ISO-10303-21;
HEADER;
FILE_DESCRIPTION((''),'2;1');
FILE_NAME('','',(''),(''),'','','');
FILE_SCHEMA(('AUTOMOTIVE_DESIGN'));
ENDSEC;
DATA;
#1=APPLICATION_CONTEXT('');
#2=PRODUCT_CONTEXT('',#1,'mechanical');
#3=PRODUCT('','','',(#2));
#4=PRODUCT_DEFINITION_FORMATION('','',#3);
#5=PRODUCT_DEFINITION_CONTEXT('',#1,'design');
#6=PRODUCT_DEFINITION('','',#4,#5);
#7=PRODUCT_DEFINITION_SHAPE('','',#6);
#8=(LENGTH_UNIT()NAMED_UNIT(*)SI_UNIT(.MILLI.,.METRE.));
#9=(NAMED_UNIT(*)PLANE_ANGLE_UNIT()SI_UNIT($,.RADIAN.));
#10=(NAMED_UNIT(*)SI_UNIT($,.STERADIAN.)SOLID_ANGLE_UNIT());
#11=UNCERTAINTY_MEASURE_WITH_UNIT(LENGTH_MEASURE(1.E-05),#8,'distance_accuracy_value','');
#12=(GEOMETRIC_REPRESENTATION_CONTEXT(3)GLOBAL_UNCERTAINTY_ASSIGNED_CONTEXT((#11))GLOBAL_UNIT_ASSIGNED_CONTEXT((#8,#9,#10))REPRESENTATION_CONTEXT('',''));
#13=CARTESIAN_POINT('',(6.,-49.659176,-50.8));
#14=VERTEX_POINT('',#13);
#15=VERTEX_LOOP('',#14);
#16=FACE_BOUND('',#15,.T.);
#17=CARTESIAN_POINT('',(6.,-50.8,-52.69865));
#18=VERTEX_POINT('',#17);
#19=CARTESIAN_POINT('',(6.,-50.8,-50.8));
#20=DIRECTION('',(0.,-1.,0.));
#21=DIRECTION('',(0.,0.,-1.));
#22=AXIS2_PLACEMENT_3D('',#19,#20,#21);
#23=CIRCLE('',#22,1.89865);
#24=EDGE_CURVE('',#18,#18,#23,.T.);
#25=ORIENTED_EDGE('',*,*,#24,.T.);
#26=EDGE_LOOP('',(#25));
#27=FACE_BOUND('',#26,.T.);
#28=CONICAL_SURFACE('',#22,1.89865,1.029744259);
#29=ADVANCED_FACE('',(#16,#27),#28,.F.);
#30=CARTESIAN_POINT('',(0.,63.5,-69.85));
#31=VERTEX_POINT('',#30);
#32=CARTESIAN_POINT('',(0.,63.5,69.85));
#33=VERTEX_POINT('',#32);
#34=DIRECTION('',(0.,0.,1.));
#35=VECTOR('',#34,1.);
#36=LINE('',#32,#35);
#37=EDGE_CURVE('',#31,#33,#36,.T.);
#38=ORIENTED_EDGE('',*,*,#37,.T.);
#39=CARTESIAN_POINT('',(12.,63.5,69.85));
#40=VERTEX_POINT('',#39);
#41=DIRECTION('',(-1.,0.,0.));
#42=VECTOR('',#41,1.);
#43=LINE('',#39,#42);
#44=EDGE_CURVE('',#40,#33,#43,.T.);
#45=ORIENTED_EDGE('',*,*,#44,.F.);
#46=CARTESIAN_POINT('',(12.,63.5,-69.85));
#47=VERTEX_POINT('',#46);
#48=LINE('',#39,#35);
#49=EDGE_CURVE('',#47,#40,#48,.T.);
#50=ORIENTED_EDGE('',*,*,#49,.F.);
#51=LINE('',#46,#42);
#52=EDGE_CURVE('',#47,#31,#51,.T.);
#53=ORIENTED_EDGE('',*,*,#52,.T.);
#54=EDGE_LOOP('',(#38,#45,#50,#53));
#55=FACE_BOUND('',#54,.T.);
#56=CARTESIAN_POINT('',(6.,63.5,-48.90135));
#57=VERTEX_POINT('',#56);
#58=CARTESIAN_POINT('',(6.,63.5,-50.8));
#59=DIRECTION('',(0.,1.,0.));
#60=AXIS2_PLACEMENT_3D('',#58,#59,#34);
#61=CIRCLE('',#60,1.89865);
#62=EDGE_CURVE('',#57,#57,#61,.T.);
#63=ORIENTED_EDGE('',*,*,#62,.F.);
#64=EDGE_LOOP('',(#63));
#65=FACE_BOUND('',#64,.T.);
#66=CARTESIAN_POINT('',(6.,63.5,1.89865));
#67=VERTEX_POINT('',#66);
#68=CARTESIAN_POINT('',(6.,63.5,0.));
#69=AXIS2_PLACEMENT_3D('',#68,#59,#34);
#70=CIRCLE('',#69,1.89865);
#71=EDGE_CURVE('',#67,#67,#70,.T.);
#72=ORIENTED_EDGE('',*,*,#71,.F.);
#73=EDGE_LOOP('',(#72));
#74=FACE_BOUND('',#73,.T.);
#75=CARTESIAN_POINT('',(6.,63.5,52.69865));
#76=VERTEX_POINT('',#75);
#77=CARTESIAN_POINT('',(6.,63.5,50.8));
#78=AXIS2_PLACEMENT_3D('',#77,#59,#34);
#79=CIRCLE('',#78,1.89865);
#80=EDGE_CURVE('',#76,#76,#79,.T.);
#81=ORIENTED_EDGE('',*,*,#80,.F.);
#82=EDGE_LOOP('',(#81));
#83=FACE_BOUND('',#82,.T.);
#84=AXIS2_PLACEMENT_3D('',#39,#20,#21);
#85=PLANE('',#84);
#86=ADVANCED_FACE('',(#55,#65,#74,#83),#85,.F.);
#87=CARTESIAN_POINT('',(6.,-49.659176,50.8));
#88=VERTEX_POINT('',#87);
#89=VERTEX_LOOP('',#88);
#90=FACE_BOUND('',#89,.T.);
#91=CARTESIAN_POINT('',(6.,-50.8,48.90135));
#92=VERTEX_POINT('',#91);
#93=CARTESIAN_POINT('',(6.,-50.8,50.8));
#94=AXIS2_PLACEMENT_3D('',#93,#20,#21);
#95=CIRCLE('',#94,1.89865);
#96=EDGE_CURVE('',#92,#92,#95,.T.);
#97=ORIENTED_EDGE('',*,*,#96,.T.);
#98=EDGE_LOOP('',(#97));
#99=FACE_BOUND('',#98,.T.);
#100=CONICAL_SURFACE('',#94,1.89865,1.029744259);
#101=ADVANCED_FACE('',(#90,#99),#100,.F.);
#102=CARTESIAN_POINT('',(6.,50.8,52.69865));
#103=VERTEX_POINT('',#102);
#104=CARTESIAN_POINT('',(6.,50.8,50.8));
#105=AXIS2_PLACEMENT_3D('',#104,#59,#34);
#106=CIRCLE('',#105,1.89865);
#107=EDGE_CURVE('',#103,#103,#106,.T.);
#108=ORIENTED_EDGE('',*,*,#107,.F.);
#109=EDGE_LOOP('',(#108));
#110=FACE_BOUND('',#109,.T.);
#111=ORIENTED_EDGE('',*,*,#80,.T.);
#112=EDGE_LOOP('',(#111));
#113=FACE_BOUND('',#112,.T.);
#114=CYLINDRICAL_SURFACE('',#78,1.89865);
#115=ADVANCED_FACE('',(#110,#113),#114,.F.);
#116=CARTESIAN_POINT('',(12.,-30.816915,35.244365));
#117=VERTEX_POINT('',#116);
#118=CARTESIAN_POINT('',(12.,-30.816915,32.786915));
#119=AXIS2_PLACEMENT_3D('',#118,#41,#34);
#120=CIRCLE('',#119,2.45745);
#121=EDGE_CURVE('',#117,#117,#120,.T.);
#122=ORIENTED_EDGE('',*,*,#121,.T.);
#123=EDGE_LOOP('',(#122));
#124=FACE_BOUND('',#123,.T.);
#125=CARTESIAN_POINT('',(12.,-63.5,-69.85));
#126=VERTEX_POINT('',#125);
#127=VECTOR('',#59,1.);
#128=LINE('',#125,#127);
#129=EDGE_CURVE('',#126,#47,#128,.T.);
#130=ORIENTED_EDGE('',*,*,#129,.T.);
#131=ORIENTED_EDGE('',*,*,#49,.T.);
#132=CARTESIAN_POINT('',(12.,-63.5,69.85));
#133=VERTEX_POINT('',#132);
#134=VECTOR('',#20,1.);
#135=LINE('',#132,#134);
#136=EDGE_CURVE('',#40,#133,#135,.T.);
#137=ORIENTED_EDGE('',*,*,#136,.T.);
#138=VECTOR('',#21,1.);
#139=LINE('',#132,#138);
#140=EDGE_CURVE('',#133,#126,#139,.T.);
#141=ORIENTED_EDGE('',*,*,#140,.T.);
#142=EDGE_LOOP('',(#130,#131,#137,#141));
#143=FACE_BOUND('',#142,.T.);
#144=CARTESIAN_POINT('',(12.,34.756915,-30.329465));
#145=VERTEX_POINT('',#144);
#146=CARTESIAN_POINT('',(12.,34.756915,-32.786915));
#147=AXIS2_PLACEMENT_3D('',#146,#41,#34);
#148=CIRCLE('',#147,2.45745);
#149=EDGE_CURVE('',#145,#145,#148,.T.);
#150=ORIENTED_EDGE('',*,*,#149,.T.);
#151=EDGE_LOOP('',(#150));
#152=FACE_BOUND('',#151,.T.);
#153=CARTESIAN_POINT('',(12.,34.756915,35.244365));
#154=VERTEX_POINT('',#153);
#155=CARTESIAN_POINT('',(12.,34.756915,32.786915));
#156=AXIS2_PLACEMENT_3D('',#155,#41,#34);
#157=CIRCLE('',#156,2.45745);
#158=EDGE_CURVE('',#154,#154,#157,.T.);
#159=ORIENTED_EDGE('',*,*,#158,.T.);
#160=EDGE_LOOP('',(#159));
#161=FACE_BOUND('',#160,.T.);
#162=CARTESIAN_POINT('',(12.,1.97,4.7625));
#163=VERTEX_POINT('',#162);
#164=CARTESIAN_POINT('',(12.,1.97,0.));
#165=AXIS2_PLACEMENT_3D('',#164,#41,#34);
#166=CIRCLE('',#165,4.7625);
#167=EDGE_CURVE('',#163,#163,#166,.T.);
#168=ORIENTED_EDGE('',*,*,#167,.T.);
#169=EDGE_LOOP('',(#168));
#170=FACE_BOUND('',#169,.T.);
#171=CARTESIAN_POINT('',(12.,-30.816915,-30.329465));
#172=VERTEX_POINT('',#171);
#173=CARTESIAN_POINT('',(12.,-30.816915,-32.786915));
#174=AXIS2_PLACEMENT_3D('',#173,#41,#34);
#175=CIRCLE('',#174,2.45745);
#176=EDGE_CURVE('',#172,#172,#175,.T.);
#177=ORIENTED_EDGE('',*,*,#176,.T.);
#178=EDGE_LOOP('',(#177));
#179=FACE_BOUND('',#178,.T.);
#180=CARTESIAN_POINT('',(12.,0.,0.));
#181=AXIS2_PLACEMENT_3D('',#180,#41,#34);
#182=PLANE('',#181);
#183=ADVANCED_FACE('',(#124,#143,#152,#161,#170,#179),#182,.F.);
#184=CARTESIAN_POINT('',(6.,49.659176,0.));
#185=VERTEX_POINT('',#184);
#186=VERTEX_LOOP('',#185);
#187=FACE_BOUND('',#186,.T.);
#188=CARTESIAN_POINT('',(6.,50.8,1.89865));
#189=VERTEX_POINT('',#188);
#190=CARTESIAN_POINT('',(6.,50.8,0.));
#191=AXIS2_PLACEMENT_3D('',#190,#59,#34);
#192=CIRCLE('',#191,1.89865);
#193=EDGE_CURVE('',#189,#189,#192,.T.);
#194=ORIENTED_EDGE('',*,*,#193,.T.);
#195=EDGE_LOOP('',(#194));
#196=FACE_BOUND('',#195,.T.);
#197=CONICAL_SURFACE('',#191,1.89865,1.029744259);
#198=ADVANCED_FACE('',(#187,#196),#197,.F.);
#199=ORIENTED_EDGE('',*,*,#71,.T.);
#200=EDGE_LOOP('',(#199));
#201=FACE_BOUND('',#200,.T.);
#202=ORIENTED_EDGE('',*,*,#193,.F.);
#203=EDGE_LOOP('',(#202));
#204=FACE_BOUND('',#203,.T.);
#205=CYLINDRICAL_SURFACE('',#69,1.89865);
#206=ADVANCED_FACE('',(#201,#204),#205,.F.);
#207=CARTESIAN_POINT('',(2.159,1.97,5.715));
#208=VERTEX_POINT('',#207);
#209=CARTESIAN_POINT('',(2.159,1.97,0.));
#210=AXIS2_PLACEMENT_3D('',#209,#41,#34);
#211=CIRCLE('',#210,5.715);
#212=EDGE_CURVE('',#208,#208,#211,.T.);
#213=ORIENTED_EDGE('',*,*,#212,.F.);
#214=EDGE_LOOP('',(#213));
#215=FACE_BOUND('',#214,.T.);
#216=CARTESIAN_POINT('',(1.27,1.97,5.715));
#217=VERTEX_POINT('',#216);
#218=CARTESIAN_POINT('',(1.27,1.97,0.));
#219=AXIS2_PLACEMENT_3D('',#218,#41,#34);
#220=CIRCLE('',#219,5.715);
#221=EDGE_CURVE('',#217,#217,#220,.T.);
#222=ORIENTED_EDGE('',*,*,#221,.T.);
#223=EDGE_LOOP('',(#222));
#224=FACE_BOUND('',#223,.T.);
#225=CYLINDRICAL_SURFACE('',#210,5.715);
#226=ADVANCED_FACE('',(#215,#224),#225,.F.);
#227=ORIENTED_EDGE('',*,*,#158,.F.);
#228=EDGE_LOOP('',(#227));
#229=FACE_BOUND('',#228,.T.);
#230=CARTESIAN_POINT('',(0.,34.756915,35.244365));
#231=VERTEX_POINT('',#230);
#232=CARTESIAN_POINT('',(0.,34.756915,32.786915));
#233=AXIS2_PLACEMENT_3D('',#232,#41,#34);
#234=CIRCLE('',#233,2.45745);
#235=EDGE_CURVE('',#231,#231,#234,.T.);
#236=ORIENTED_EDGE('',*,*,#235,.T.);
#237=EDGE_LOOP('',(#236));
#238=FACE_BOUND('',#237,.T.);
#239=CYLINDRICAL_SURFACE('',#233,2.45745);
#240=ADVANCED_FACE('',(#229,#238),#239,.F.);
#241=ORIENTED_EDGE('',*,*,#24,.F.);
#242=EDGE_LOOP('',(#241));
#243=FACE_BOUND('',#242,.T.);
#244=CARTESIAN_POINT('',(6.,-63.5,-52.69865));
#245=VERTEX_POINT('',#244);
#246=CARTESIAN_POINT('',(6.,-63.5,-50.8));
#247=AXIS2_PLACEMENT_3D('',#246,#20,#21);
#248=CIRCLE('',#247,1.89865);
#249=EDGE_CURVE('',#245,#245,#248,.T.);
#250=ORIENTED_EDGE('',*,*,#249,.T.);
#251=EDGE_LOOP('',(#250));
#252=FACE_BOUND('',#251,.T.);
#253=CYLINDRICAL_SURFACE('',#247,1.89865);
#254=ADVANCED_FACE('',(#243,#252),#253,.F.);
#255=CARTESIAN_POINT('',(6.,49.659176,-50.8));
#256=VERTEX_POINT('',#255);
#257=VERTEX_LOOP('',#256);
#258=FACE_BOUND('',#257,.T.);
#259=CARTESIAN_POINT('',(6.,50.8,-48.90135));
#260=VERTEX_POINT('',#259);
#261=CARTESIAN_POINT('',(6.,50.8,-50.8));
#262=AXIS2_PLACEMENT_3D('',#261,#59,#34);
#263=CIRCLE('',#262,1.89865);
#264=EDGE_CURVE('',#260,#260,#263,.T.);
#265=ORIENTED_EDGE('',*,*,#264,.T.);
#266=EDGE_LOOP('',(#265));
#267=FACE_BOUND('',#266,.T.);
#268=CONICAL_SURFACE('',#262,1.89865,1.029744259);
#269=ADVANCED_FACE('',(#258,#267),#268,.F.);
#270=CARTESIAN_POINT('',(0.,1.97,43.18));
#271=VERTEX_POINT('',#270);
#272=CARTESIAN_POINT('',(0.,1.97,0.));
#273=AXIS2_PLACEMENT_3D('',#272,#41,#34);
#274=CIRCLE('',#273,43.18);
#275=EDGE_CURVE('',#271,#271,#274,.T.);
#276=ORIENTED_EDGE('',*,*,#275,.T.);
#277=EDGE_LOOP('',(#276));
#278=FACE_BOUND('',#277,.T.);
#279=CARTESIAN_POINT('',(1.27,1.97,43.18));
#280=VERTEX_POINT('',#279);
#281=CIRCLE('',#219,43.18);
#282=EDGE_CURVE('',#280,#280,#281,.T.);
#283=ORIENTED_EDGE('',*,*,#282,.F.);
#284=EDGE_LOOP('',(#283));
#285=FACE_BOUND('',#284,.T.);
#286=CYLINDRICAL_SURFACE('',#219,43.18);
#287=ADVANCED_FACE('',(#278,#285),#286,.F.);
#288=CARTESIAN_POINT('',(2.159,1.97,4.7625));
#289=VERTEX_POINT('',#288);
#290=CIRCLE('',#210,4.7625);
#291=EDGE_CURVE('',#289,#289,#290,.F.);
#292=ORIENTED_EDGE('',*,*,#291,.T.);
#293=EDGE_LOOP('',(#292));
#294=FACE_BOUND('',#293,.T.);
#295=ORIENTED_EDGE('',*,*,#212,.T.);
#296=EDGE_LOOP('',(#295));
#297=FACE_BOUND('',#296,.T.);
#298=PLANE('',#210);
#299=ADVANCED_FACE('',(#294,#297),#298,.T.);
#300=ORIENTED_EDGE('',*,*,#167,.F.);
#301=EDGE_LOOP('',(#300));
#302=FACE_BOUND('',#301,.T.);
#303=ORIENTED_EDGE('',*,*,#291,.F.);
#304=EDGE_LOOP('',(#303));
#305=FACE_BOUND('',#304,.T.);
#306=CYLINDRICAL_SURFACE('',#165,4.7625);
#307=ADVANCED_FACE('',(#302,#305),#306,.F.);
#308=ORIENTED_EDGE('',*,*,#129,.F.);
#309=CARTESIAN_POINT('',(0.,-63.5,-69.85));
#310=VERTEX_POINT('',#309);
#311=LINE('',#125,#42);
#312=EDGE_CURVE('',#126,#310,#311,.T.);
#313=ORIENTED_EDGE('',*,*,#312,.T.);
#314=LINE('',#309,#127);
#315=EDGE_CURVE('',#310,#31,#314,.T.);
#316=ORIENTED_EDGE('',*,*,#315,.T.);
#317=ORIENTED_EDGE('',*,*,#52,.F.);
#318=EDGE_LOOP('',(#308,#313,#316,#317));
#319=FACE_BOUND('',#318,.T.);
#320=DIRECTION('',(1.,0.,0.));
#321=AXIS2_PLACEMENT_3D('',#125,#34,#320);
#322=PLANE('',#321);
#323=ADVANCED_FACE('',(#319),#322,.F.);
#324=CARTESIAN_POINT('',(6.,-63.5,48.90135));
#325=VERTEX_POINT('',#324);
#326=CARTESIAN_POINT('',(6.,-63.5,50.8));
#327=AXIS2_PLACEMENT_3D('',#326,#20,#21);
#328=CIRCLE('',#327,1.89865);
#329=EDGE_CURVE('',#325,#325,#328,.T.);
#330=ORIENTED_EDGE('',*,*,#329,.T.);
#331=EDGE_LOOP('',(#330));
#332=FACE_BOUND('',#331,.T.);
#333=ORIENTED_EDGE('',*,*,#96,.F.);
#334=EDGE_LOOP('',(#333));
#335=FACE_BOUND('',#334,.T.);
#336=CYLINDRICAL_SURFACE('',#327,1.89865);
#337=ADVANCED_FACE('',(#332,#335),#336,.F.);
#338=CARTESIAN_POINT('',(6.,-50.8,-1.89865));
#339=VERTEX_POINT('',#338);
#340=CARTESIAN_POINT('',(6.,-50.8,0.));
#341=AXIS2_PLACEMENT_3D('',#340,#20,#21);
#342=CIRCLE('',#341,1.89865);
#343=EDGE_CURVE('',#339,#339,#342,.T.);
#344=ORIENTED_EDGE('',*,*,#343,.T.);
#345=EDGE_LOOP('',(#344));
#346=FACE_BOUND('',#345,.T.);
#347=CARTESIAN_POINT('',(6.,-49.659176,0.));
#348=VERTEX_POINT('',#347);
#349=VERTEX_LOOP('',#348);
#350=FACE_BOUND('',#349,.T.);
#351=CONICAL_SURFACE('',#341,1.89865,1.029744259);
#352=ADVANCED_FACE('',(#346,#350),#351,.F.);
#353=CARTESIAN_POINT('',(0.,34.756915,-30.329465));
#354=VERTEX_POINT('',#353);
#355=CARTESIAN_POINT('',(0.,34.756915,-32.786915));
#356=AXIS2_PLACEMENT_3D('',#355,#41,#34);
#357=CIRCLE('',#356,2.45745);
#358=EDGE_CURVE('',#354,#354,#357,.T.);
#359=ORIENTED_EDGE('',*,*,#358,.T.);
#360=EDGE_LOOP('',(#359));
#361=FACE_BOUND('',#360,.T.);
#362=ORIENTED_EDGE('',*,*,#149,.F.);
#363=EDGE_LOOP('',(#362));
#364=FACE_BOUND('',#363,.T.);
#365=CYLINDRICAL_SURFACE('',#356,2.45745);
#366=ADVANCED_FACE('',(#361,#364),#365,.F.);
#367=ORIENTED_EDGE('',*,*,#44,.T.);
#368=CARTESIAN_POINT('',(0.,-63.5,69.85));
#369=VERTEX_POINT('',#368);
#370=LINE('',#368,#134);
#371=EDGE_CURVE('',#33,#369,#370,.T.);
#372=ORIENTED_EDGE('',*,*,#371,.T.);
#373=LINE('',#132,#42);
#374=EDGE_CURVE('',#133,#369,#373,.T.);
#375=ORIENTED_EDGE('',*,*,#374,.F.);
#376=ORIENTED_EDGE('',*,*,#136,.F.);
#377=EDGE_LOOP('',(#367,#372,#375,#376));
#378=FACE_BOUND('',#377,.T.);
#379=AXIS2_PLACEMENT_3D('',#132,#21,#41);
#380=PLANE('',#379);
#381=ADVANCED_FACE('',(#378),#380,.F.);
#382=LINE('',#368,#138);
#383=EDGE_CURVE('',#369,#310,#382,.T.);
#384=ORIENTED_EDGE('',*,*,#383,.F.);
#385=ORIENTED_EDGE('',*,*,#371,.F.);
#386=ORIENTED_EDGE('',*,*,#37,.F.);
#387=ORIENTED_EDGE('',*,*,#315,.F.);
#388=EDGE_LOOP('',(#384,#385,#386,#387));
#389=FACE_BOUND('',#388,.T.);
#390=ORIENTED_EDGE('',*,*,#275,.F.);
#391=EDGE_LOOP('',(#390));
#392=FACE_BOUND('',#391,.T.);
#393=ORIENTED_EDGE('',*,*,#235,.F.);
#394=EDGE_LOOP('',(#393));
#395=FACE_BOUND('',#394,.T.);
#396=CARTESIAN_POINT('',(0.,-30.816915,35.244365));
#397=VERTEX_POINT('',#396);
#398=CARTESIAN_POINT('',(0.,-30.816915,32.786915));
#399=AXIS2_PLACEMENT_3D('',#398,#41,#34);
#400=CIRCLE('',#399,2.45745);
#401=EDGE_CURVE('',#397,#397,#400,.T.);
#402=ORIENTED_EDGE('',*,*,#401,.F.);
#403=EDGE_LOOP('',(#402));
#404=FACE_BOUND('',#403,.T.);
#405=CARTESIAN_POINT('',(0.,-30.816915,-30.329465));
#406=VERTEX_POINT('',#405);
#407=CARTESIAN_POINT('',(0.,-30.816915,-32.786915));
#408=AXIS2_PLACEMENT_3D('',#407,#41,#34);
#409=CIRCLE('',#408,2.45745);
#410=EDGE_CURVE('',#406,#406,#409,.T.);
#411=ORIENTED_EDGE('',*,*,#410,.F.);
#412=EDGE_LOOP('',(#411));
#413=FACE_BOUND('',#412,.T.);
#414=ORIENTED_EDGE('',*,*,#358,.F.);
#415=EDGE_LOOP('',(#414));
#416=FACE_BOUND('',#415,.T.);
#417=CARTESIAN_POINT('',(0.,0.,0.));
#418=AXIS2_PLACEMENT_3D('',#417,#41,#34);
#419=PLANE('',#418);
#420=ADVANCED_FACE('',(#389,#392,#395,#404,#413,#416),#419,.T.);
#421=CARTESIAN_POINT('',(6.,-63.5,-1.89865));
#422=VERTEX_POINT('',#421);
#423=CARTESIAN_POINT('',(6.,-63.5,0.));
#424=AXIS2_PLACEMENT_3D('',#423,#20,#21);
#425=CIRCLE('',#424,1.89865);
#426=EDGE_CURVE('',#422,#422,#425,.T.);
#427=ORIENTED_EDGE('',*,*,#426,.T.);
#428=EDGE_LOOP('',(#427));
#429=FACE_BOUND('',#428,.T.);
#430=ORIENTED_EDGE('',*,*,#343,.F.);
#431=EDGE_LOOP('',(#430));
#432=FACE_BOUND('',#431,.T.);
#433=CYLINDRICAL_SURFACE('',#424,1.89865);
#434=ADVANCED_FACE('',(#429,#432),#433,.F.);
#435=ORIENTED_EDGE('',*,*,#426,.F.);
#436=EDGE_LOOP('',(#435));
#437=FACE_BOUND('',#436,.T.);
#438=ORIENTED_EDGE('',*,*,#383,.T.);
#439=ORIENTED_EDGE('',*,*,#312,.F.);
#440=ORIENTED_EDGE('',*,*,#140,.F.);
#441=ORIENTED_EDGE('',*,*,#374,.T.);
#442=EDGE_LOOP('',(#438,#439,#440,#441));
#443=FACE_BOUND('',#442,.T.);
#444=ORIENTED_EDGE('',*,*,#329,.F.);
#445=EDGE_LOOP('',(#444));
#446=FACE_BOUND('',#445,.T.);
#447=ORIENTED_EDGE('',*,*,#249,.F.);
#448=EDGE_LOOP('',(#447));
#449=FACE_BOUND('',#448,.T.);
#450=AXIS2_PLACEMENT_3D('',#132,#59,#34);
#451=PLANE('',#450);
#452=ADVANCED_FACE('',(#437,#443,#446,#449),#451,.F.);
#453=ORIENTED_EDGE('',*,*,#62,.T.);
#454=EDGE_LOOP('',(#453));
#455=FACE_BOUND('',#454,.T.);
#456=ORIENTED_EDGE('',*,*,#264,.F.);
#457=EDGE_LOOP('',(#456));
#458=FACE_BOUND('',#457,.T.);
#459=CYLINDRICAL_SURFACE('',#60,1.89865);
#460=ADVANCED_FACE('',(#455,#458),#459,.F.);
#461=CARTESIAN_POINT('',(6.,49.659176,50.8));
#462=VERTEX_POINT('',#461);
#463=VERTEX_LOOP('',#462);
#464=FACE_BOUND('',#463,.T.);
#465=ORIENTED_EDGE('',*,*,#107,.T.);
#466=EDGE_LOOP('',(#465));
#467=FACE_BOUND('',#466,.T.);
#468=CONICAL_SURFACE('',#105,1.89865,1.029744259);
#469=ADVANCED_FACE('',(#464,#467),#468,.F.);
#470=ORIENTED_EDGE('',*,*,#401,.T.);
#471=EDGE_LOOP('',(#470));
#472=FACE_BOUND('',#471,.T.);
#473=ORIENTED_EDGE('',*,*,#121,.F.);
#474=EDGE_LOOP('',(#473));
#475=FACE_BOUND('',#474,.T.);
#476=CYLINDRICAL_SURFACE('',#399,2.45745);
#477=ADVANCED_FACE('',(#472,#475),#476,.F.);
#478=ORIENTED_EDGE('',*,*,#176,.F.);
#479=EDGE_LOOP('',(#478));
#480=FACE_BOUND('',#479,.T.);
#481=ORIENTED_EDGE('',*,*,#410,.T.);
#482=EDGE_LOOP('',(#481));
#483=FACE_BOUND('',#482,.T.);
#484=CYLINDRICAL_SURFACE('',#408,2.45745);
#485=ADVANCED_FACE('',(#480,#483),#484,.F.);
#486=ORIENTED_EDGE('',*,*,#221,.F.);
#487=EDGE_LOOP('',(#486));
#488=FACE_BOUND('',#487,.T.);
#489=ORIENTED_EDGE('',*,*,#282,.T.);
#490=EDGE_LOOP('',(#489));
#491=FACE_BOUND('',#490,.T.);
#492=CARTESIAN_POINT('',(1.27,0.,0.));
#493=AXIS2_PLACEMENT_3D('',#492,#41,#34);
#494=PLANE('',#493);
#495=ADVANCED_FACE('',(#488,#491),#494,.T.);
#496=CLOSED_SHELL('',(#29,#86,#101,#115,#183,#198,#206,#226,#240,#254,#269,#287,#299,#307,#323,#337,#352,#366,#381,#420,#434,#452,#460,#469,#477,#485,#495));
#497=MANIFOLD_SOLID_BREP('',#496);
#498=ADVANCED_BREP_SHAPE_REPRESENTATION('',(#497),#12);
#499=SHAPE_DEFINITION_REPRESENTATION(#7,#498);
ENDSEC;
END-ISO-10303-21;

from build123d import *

# Parameters (mm, degrees)
SKETCH1_W                           = 139.7
SKETCH1_H                           = 127
BOSS_EXTRUDE1_DEPTH                 = 12
F_8_CLEARANCE_HOLE1_D               = 4.9149
SKETCH2_R                           = 43.18
SKETCH2_R_2                         = 4.7625
CUT_EXTRUDE1_DEPTH                  = 1.27
SKETCH2_4_R                         = 4.7625
CUT_EXTRUDE2_DEPTH                  = 96.159195562
TAP_DRILL_FOR_10_24_TAP1_AT_2_COUNT = 2
TAP_DRILL_FOR_10_24_TAP1_AT_2_PITCH = 50.8
TAP_DRILL_FOR_10_24_TAP1_AT_3_COUNT = 2
TAP_DRILL_FOR_10_24_TAP1_AT_3_PITCH = 101.6
SKETCH8_R                           = 5.715
CUT_EXTRUDE3_DEPTH                  = 0.889


with BuildPart() as part:
    # Sketch1 → Boss-Extrude1 (new body)
    with BuildSketch(Plane(origin=(0, 0, 0), x_dir=(0, 0, -1), z_dir=(1, 0, 0))):
        Rectangle(SKETCH1_W, SKETCH1_H)
    extrude(amount=BOSS_EXTRUDE1_DEPTH)

    # #8 Clearance Hole1 (through all)
    with Locations(Plane.ZY):
        with Locations((-32.786915098, 34.756915098), (32.786915098, 34.756915098), (32.786915098, -30.816915098), (-32.786915098, -30.816915098)):
            Hole(F_8_CLEARANCE_HOLE1_D / 2)

    # Sketch2 → Cut-Extrude1 (cut)
    with BuildSketch(Plane.ZY):
        with Locations((0, 1.97)):
            Circle(SKETCH2_R)
        with Locations((0, 1.97)):
            Circle(SKETCH2_R_2, mode=Mode.SUBTRACT)
    extrude(amount=-CUT_EXTRUDE1_DEPTH, mode=Mode.SUBTRACT)

    # Sketch2<4> → Cut-Extrude2 (cut, through all)
    with BuildSketch(Plane.ZY):
        with Locations((0, 1.97)):
            Circle(SKETCH2_4_R)
    extrude(amount=-CUT_EXTRUDE2_DEPTH, mode=Mode.SUBTRACT)

    # Sketch7 → Tap Drill for #10-24 Tap1 (revolve, cut)
    with BuildSketch(Plane(origin=(6, -63.5, -50.8), x_dir=(0, 0, -1), z_dir=(1, 0, 0))):
        Polygon((0, 0), (0, 13.840824014), (1.89865, 12.7), (1.89865, 0), align=None)
    tap_drill_for_10_24_tap1 = revolve(axis=Axis((6, -69.85, -50.8), (0, 1, 0)), mode=Mode.SUBTRACT)

    # Tap Drill for #10-24 Tap1 at 2: Tap Drill for #10-24 Tap1 ×2
    with Locations(*[(0, 0, i * TAP_DRILL_FOR_10_24_TAP1_AT_2_PITCH) for i in range(1, TAP_DRILL_FOR_10_24_TAP1_AT_2_COUNT)]):
        add(tap_drill_for_10_24_tap1, mode=Mode.SUBTRACT)

    # Tap Drill for #10-24 Tap1 at 3: Tap Drill for #10-24 Tap1 ×2
    with Locations(*[(0, 0, i * TAP_DRILL_FOR_10_24_TAP1_AT_3_PITCH) for i in range(1, TAP_DRILL_FOR_10_24_TAP1_AT_3_COUNT)]):
        add(tap_drill_for_10_24_tap1, mode=Mode.SUBTRACT)

    # Mirror1: Tap Drill for #10-24 Tap1 across plane
    add(tap_drill_for_10_24_tap1.mirror(Plane.ZX), mode=Mode.SUBTRACT)

    # Mirror1 copy 1 sketch → Mirror1 copy 1 (revolve, cut)
    with BuildSketch(Plane(origin=(6, 63.5, 0), x_dir=(0, 0, -1), z_dir=(1, 0, 0))):
        Polygon((0, 0), (0, -13.840824014), (1.89865, -12.7), (1.89865, 0), align=None)
    revolve(axis=Axis((6, 69.85, 0), (0, 1, 0)), mode=Mode.SUBTRACT)

    # Mirror1 copy 2 sketch → Mirror1 copy 2 (revolve, cut)
    with BuildSketch(Plane(origin=(6, 63.5, 50.8), x_dir=(0, 0, -1), z_dir=(1, 0, 0))):
        Polygon((0, 0), (0, -13.840824014), (1.89865, -12.7), (1.89865, 0), align=None)
    revolve(axis=Axis((6, 69.85, 50.8), (0, 1, 0)), mode=Mode.SUBTRACT)

    # Sketch8 → Cut-Extrude3 (cut)
    with BuildSketch(Plane.ZY.offset(-1.27)):
        with Locations((0, 1.97)):
            Circle(SKETCH8_R)
    extrude(amount=-CUT_EXTRUDE3_DEPTH, mode=Mode.SUBTRACT)


solid = part.part
